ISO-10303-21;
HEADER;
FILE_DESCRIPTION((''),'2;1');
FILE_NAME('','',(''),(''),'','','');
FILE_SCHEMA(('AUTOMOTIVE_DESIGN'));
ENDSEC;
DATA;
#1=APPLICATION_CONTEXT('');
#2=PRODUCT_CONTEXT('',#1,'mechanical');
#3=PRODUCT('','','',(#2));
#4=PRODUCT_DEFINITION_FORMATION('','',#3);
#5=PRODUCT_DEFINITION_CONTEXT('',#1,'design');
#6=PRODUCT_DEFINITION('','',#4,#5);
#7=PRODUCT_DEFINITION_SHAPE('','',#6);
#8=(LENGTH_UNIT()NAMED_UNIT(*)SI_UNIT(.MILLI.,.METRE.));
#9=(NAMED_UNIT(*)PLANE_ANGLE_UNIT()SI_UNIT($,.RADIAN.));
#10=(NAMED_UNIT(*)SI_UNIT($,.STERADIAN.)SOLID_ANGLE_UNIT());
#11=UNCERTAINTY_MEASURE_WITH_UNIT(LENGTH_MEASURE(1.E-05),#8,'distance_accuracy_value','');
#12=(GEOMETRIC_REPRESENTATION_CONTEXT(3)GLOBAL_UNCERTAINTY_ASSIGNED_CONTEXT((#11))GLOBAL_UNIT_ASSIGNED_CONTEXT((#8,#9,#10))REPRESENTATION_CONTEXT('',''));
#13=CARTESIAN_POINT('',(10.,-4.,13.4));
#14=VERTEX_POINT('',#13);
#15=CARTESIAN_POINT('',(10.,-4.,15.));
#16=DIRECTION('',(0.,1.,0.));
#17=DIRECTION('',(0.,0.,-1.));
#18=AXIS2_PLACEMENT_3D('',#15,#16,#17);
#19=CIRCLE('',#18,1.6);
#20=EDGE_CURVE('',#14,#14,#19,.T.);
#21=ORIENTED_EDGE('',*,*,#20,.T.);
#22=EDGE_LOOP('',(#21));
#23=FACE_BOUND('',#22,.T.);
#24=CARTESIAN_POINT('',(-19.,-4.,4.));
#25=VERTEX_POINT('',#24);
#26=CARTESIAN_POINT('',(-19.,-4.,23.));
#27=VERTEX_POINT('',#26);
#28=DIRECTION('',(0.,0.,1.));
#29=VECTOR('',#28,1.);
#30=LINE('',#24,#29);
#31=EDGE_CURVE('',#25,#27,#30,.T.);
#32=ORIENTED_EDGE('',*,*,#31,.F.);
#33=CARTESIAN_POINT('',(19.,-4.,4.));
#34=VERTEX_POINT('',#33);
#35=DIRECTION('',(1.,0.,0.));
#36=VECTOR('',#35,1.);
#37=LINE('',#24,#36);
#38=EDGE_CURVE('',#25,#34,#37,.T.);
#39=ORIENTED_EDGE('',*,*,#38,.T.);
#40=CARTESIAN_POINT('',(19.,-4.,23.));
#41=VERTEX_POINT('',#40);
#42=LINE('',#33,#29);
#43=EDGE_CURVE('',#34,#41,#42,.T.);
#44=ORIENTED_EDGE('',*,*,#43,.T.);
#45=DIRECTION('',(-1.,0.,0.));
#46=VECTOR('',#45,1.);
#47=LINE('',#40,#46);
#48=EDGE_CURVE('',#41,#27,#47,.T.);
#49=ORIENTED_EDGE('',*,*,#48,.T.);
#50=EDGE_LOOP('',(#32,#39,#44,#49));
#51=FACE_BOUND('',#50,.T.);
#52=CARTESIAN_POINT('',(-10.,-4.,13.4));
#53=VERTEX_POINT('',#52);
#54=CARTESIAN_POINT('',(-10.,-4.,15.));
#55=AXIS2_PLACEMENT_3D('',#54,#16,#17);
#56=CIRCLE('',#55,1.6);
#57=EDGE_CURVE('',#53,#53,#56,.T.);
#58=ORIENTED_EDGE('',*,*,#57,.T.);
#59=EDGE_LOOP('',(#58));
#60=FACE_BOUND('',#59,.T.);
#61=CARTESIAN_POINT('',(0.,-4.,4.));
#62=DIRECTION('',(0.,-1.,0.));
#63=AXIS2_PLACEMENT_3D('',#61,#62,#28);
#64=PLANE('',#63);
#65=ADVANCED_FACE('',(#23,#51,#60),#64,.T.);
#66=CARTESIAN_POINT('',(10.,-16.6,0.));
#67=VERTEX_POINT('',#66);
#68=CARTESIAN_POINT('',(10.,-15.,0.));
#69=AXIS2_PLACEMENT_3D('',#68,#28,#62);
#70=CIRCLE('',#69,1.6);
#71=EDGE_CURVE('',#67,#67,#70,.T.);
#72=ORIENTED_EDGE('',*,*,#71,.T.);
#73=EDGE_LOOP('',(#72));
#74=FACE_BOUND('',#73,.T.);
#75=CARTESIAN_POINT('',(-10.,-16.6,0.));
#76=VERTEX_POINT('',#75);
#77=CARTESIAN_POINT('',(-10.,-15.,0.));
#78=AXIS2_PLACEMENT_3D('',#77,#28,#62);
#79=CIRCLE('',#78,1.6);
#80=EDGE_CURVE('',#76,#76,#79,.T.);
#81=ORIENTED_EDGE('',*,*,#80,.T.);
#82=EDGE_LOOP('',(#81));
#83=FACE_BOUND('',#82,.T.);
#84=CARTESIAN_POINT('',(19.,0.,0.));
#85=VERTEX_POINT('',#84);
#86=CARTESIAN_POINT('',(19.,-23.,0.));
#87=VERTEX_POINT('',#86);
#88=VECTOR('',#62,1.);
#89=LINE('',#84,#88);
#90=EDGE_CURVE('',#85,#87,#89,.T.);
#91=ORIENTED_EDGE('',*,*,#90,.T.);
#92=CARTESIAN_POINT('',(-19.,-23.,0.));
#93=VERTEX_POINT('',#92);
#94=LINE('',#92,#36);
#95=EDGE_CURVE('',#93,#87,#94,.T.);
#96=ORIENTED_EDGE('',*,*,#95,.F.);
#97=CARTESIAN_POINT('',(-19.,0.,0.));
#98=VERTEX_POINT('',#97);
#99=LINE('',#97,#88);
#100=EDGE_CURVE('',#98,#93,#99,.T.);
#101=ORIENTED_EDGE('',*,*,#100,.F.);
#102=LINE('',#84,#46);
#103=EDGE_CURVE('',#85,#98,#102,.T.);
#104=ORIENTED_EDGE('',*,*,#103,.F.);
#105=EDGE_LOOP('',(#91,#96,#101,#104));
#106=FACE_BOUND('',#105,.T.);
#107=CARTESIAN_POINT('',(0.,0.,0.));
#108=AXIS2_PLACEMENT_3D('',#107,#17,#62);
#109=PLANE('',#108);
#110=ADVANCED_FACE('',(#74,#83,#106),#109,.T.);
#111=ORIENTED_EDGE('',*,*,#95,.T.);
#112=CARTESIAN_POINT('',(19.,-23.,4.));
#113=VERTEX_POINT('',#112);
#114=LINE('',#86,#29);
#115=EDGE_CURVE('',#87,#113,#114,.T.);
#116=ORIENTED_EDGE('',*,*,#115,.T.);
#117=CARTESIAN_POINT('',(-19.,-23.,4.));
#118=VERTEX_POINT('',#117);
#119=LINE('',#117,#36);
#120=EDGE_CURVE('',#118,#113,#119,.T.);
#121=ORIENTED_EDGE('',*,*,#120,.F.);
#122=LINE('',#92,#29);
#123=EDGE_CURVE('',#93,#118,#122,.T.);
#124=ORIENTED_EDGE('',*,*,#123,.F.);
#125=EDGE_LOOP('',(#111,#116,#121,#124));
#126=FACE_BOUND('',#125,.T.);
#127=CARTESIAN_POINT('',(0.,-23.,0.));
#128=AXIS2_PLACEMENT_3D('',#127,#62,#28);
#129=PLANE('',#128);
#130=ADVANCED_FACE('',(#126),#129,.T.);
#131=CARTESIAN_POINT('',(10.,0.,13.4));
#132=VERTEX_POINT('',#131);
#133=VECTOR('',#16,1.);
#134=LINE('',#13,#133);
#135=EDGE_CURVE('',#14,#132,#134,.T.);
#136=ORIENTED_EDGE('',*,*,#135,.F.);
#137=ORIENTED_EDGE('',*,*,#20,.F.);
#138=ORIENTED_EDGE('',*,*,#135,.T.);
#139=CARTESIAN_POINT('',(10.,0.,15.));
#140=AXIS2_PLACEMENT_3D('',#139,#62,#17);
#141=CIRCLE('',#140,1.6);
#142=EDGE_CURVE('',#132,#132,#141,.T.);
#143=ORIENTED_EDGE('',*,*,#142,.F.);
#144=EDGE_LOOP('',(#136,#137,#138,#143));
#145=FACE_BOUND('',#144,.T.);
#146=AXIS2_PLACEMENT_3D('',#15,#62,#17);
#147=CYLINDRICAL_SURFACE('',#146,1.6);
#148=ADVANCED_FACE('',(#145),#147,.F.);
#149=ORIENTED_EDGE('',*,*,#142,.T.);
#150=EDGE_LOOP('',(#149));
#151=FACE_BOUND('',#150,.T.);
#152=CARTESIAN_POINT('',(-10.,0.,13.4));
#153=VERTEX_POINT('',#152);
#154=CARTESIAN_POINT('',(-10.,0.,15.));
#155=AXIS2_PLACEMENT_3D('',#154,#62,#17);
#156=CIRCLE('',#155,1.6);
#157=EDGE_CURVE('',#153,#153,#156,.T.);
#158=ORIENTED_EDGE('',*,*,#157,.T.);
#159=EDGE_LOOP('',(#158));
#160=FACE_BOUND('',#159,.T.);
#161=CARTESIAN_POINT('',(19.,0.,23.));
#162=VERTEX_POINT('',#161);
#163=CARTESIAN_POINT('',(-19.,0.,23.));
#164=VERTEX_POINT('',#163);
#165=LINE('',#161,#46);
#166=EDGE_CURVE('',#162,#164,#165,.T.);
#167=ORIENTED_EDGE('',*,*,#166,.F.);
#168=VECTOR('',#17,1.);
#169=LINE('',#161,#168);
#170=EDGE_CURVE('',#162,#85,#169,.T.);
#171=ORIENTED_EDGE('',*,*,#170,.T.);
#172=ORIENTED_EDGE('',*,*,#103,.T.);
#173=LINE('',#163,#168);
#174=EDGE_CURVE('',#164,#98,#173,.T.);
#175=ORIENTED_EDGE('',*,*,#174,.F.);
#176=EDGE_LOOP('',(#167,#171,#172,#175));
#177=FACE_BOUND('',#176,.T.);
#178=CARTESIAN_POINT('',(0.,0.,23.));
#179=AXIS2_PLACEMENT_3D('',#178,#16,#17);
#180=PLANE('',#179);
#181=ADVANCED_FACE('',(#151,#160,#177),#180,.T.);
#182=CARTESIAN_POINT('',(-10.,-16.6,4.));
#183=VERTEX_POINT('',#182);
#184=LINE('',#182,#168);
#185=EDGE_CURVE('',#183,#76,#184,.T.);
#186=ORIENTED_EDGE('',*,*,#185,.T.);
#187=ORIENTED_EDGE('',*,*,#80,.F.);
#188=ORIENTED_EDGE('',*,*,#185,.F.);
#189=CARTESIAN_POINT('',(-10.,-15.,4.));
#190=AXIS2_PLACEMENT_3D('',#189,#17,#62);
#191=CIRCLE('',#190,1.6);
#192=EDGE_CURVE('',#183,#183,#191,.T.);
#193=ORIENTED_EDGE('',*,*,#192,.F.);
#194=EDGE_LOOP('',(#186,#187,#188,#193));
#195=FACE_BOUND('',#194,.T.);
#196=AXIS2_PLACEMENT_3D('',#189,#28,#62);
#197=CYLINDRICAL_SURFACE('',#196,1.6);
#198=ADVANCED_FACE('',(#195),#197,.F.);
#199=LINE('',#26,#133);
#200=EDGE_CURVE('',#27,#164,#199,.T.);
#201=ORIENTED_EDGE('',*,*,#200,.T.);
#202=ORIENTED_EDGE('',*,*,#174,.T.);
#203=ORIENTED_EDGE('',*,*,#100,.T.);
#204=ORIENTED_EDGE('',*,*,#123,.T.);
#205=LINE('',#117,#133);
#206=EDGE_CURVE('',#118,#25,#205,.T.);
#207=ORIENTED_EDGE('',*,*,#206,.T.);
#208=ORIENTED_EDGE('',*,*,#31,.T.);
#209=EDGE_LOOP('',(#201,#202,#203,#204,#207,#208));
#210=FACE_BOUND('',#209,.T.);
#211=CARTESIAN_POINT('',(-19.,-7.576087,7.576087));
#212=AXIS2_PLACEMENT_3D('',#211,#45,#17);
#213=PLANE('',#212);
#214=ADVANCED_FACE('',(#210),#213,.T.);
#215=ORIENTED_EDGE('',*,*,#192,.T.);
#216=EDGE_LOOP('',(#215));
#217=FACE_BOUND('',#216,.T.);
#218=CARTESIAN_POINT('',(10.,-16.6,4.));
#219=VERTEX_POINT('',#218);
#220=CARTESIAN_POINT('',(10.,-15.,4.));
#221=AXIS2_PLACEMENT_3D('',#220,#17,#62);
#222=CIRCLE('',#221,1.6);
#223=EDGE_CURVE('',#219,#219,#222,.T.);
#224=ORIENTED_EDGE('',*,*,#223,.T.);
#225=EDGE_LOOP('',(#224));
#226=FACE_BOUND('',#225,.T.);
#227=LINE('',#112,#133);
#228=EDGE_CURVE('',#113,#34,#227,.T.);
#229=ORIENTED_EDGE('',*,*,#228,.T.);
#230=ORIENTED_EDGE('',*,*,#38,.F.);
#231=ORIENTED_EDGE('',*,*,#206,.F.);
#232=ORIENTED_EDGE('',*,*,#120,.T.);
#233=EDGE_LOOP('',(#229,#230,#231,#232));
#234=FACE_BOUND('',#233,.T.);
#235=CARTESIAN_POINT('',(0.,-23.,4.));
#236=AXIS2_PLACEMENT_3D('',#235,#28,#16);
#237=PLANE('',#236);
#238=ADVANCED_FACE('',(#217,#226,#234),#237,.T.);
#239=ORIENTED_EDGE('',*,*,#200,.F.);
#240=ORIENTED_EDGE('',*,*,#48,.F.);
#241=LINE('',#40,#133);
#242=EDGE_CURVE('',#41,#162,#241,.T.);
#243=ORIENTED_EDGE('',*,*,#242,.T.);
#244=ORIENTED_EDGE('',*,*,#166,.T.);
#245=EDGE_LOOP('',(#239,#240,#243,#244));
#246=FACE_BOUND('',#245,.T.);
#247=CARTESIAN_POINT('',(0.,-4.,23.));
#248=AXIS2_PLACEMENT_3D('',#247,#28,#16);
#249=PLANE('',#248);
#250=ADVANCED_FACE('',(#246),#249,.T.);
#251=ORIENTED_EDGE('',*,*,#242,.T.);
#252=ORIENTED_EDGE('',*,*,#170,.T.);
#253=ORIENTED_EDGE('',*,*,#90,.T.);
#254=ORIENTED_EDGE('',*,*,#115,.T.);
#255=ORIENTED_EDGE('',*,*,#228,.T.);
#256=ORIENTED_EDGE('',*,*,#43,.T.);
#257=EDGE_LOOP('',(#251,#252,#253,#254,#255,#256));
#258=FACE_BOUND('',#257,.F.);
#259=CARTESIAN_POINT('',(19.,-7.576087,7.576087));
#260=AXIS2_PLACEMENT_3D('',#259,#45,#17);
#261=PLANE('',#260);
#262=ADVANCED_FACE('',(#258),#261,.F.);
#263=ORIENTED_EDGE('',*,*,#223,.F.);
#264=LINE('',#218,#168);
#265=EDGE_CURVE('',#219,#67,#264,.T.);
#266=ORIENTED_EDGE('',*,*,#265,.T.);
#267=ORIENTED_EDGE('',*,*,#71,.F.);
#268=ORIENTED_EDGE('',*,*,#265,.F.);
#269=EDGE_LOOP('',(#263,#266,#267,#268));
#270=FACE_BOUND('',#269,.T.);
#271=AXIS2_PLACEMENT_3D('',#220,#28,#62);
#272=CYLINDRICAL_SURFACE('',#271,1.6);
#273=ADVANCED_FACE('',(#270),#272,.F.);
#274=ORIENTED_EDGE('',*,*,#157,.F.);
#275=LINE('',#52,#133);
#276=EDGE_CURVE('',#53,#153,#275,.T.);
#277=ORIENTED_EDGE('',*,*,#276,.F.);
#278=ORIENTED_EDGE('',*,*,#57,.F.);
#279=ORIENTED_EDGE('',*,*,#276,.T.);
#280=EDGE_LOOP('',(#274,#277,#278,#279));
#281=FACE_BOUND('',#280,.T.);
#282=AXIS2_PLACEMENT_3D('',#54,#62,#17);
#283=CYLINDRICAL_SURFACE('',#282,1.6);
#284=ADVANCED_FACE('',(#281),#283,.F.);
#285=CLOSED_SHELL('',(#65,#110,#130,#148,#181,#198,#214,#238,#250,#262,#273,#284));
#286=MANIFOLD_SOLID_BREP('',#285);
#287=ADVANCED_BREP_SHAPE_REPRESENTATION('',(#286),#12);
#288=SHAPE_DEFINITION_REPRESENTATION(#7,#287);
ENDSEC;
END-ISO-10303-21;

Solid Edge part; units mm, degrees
sketch "Sketch1" plane through (0, 0, 0) normal (1, 0, 0) x (0, 1, 0)
  line L0 (-4, 4) -> (-4, 23)
  line L1 (-4, 23) -> (0, 23)
  line L2 (0, 23) -> (0, 0)
  line L3 (0, 0) -> (-23, 0)
  line L4 (-23, 0) -> (-23, 4)
  line L5 (-23, 4) -> (-4, 4)
extrude "Protrusion1" add sketch "Sketch1" along normal mid plane 38
hole "Agujero_1" at (10, -4, 15) direction (0, 1, 0) diameter 3.2 end up to next
hole "Hole1" at (-10, -4, 15) direction (0, 1, 0) diameter 3.2 end up to next
hole "Agujero_3" at (10, -15, 4) direction (0, 0, -1) diameter 3.2 end up to next
hole "Hole2" at (-10, -15, 4) direction (0, 0, -1) diameter 3.2 end up to next
